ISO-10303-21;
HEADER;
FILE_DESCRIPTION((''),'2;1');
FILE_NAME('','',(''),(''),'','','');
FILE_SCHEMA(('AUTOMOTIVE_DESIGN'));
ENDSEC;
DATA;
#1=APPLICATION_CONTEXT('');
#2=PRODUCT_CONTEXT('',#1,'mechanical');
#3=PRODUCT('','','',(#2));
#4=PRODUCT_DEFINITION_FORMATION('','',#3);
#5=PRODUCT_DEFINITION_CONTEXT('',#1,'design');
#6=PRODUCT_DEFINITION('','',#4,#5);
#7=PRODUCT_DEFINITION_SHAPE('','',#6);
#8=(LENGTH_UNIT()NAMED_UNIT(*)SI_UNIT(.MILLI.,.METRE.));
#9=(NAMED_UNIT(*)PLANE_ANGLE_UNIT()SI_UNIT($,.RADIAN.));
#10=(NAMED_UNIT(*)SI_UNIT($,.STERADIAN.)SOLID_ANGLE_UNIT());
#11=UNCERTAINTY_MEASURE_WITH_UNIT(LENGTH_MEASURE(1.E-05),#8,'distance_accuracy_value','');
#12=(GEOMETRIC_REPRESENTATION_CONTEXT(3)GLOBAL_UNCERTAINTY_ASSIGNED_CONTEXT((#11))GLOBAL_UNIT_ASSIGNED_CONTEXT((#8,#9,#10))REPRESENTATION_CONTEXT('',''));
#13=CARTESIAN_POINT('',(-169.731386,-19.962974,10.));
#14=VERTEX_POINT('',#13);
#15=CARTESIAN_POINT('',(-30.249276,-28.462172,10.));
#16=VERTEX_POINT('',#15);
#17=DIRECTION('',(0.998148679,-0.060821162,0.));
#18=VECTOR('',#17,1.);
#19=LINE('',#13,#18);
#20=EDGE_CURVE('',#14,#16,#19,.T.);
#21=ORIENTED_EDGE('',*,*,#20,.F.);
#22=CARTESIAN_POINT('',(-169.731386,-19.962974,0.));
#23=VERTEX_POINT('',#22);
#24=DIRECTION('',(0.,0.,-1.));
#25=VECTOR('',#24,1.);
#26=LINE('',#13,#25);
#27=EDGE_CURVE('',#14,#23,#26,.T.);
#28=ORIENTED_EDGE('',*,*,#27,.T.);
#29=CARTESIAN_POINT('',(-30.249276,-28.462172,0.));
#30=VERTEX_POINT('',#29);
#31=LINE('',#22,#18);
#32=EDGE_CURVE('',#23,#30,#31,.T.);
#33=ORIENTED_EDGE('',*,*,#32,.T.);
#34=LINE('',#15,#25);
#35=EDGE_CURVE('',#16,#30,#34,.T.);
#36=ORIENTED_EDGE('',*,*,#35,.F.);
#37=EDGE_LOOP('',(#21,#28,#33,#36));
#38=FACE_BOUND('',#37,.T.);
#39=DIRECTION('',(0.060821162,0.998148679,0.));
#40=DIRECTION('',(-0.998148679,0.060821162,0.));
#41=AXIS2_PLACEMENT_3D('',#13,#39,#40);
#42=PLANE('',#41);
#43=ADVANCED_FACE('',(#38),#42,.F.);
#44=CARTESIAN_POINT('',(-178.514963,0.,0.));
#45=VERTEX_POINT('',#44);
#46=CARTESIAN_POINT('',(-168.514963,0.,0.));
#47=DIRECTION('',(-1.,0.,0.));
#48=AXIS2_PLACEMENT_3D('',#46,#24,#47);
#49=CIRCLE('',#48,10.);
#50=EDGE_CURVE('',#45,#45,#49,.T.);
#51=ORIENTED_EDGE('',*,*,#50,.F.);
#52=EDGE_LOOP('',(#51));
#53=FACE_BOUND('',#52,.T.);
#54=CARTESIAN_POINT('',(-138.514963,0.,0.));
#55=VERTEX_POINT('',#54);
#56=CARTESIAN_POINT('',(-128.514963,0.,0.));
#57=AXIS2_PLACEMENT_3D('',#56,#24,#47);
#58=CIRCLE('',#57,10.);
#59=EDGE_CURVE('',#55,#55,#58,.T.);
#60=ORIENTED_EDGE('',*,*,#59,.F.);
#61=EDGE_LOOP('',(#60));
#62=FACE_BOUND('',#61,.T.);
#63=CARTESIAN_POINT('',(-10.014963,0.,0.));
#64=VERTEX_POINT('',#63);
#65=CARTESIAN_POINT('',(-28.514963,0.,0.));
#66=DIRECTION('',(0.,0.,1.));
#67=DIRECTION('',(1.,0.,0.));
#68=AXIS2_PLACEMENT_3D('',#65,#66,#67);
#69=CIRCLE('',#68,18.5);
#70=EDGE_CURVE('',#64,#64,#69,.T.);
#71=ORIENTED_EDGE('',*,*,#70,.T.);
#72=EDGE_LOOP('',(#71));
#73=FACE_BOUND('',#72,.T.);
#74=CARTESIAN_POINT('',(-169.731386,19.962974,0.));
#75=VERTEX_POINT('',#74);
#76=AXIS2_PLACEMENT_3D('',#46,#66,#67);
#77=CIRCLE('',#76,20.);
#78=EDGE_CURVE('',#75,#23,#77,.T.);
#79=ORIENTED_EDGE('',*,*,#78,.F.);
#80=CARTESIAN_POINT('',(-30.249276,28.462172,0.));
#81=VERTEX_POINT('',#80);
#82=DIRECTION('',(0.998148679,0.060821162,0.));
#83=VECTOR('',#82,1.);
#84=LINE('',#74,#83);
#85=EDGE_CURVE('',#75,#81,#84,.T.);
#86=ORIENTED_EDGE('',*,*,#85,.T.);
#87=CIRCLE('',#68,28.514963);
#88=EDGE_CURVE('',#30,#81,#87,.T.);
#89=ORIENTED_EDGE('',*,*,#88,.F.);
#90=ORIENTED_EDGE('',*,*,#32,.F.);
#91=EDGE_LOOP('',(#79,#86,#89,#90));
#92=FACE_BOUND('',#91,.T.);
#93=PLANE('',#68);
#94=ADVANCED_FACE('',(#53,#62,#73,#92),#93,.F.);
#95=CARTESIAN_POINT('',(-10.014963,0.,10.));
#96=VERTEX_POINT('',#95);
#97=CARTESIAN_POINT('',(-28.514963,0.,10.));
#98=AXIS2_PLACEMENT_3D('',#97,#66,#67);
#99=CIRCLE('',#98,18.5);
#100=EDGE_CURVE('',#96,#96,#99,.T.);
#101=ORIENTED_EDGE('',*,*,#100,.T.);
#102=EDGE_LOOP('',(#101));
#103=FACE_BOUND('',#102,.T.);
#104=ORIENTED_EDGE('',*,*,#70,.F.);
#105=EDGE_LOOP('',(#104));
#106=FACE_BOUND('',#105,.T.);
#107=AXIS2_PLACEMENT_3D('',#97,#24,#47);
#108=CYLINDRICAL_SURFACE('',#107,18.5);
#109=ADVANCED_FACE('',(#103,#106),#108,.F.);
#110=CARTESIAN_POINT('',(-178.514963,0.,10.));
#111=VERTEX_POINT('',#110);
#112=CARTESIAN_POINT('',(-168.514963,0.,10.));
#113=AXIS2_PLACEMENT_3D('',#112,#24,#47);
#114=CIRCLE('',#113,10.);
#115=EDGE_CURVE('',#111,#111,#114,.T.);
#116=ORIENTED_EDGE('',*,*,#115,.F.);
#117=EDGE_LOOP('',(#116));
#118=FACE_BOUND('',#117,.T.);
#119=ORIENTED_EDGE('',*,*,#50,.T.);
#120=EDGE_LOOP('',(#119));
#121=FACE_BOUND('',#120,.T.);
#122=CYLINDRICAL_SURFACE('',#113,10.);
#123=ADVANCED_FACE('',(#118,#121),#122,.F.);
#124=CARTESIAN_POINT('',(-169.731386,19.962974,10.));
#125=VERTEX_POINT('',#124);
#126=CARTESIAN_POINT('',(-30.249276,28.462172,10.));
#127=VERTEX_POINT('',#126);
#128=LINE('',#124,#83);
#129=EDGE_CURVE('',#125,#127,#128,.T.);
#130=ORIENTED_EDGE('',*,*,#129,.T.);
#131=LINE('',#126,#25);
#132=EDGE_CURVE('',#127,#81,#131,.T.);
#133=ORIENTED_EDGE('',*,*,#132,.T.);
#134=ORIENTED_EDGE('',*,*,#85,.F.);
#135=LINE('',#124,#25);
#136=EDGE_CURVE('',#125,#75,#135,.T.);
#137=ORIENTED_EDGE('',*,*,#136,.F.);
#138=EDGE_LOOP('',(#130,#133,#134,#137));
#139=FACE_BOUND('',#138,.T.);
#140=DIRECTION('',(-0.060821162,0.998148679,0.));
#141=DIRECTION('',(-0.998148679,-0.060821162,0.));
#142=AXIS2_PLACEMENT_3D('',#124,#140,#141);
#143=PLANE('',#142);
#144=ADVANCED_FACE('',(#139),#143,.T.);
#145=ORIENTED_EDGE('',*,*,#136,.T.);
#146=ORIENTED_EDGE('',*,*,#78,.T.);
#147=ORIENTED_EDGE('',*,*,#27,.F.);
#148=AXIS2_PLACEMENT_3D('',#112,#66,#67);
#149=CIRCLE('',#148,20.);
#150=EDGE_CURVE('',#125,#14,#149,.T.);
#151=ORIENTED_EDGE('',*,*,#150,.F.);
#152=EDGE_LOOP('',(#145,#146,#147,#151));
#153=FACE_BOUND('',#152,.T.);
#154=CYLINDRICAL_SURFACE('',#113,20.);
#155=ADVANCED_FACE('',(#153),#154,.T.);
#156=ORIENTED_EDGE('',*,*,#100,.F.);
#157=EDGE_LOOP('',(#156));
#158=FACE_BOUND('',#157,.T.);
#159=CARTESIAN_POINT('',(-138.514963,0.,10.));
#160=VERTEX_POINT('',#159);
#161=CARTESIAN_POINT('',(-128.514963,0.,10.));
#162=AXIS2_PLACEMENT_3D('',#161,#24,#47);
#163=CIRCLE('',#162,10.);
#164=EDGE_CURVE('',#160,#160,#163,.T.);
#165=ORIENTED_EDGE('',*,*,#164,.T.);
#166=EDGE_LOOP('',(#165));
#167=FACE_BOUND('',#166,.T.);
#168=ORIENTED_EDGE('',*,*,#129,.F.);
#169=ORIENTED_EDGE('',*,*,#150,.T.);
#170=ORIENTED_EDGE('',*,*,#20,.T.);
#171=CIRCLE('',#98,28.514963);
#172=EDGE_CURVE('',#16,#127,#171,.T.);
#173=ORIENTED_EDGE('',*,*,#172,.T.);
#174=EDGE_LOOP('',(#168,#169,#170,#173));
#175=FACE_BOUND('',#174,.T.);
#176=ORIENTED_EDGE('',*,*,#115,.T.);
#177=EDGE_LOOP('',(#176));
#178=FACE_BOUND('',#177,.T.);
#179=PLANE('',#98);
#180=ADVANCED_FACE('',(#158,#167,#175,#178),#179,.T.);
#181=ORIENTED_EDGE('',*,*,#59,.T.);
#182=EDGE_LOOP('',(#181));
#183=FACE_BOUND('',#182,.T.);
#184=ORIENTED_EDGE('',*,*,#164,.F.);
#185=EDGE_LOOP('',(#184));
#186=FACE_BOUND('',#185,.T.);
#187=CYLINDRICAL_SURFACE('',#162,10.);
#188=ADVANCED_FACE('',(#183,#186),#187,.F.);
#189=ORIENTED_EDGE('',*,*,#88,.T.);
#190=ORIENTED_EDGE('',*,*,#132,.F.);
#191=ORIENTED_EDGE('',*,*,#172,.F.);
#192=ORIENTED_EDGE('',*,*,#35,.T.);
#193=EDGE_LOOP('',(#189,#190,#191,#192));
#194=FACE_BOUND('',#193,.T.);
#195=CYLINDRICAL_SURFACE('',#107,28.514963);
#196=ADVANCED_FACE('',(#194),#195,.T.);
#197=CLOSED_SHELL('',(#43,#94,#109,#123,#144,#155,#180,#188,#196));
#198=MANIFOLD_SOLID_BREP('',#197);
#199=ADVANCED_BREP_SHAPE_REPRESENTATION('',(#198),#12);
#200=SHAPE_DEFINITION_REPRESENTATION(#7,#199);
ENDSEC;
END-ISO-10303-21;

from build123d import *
from build123d.topology import SkipClean

# Parameters (mm, degrees)
BOSS_EXTRUDE1_DEPTH = 10


with BuildPart() as part:
    # Sketch1 → Boss-Extrude1 (new body)
    with BuildSketch(Plane(origin=(0, 0, 0), x_dir=(-1, 0, 0), z_dir=(0, 0, 1))):
        with BuildLine():
            Line((0, 0), (10.014962741, 0))
            ThreePointArc((10.014962741, 0), (28.514962741, 18.5), (47.014962741, 0))
            Line((47.014962741, 0), (118.514962741, 0))
            ThreePointArc((118.514962741, 0), (128.514962741, 10), (138.514962741, 0))
            Line((138.514962741, 0), (158.514962741, 0))
            ThreePointArc((158.514962741, 0), (168.514962741, 10), (178.514962741, 0))
            Line((178.514962741, 0), (188.514962741, 0))
            ThreePointArc((188.514962741, 0), (183.080821195, 13.70531895), (169.73138599, 19.962973588))
            Line((169.73138599, 19.962973588), (30.249275922, 28.462172403))
            ThreePointArc((30.249275922, 28.462172403), (8.974629781, 20.767245555), (0, 0))
        make_face()
    boss_extrude1 = extrude(amount=BOSS_EXTRUDE1_DEPTH)

    # Mirror1: Boss-Extrude1 across plane
    with SkipClean():  # the faces are left unmerged after this step: merging them gives an invalid solid
        add(boss_extrude1.mirror(Plane(origin=(-47.014962741, 0, 10), x_dir=(0, 0, 1), z_dir=(0, -1, 0))))


solid = part.part
